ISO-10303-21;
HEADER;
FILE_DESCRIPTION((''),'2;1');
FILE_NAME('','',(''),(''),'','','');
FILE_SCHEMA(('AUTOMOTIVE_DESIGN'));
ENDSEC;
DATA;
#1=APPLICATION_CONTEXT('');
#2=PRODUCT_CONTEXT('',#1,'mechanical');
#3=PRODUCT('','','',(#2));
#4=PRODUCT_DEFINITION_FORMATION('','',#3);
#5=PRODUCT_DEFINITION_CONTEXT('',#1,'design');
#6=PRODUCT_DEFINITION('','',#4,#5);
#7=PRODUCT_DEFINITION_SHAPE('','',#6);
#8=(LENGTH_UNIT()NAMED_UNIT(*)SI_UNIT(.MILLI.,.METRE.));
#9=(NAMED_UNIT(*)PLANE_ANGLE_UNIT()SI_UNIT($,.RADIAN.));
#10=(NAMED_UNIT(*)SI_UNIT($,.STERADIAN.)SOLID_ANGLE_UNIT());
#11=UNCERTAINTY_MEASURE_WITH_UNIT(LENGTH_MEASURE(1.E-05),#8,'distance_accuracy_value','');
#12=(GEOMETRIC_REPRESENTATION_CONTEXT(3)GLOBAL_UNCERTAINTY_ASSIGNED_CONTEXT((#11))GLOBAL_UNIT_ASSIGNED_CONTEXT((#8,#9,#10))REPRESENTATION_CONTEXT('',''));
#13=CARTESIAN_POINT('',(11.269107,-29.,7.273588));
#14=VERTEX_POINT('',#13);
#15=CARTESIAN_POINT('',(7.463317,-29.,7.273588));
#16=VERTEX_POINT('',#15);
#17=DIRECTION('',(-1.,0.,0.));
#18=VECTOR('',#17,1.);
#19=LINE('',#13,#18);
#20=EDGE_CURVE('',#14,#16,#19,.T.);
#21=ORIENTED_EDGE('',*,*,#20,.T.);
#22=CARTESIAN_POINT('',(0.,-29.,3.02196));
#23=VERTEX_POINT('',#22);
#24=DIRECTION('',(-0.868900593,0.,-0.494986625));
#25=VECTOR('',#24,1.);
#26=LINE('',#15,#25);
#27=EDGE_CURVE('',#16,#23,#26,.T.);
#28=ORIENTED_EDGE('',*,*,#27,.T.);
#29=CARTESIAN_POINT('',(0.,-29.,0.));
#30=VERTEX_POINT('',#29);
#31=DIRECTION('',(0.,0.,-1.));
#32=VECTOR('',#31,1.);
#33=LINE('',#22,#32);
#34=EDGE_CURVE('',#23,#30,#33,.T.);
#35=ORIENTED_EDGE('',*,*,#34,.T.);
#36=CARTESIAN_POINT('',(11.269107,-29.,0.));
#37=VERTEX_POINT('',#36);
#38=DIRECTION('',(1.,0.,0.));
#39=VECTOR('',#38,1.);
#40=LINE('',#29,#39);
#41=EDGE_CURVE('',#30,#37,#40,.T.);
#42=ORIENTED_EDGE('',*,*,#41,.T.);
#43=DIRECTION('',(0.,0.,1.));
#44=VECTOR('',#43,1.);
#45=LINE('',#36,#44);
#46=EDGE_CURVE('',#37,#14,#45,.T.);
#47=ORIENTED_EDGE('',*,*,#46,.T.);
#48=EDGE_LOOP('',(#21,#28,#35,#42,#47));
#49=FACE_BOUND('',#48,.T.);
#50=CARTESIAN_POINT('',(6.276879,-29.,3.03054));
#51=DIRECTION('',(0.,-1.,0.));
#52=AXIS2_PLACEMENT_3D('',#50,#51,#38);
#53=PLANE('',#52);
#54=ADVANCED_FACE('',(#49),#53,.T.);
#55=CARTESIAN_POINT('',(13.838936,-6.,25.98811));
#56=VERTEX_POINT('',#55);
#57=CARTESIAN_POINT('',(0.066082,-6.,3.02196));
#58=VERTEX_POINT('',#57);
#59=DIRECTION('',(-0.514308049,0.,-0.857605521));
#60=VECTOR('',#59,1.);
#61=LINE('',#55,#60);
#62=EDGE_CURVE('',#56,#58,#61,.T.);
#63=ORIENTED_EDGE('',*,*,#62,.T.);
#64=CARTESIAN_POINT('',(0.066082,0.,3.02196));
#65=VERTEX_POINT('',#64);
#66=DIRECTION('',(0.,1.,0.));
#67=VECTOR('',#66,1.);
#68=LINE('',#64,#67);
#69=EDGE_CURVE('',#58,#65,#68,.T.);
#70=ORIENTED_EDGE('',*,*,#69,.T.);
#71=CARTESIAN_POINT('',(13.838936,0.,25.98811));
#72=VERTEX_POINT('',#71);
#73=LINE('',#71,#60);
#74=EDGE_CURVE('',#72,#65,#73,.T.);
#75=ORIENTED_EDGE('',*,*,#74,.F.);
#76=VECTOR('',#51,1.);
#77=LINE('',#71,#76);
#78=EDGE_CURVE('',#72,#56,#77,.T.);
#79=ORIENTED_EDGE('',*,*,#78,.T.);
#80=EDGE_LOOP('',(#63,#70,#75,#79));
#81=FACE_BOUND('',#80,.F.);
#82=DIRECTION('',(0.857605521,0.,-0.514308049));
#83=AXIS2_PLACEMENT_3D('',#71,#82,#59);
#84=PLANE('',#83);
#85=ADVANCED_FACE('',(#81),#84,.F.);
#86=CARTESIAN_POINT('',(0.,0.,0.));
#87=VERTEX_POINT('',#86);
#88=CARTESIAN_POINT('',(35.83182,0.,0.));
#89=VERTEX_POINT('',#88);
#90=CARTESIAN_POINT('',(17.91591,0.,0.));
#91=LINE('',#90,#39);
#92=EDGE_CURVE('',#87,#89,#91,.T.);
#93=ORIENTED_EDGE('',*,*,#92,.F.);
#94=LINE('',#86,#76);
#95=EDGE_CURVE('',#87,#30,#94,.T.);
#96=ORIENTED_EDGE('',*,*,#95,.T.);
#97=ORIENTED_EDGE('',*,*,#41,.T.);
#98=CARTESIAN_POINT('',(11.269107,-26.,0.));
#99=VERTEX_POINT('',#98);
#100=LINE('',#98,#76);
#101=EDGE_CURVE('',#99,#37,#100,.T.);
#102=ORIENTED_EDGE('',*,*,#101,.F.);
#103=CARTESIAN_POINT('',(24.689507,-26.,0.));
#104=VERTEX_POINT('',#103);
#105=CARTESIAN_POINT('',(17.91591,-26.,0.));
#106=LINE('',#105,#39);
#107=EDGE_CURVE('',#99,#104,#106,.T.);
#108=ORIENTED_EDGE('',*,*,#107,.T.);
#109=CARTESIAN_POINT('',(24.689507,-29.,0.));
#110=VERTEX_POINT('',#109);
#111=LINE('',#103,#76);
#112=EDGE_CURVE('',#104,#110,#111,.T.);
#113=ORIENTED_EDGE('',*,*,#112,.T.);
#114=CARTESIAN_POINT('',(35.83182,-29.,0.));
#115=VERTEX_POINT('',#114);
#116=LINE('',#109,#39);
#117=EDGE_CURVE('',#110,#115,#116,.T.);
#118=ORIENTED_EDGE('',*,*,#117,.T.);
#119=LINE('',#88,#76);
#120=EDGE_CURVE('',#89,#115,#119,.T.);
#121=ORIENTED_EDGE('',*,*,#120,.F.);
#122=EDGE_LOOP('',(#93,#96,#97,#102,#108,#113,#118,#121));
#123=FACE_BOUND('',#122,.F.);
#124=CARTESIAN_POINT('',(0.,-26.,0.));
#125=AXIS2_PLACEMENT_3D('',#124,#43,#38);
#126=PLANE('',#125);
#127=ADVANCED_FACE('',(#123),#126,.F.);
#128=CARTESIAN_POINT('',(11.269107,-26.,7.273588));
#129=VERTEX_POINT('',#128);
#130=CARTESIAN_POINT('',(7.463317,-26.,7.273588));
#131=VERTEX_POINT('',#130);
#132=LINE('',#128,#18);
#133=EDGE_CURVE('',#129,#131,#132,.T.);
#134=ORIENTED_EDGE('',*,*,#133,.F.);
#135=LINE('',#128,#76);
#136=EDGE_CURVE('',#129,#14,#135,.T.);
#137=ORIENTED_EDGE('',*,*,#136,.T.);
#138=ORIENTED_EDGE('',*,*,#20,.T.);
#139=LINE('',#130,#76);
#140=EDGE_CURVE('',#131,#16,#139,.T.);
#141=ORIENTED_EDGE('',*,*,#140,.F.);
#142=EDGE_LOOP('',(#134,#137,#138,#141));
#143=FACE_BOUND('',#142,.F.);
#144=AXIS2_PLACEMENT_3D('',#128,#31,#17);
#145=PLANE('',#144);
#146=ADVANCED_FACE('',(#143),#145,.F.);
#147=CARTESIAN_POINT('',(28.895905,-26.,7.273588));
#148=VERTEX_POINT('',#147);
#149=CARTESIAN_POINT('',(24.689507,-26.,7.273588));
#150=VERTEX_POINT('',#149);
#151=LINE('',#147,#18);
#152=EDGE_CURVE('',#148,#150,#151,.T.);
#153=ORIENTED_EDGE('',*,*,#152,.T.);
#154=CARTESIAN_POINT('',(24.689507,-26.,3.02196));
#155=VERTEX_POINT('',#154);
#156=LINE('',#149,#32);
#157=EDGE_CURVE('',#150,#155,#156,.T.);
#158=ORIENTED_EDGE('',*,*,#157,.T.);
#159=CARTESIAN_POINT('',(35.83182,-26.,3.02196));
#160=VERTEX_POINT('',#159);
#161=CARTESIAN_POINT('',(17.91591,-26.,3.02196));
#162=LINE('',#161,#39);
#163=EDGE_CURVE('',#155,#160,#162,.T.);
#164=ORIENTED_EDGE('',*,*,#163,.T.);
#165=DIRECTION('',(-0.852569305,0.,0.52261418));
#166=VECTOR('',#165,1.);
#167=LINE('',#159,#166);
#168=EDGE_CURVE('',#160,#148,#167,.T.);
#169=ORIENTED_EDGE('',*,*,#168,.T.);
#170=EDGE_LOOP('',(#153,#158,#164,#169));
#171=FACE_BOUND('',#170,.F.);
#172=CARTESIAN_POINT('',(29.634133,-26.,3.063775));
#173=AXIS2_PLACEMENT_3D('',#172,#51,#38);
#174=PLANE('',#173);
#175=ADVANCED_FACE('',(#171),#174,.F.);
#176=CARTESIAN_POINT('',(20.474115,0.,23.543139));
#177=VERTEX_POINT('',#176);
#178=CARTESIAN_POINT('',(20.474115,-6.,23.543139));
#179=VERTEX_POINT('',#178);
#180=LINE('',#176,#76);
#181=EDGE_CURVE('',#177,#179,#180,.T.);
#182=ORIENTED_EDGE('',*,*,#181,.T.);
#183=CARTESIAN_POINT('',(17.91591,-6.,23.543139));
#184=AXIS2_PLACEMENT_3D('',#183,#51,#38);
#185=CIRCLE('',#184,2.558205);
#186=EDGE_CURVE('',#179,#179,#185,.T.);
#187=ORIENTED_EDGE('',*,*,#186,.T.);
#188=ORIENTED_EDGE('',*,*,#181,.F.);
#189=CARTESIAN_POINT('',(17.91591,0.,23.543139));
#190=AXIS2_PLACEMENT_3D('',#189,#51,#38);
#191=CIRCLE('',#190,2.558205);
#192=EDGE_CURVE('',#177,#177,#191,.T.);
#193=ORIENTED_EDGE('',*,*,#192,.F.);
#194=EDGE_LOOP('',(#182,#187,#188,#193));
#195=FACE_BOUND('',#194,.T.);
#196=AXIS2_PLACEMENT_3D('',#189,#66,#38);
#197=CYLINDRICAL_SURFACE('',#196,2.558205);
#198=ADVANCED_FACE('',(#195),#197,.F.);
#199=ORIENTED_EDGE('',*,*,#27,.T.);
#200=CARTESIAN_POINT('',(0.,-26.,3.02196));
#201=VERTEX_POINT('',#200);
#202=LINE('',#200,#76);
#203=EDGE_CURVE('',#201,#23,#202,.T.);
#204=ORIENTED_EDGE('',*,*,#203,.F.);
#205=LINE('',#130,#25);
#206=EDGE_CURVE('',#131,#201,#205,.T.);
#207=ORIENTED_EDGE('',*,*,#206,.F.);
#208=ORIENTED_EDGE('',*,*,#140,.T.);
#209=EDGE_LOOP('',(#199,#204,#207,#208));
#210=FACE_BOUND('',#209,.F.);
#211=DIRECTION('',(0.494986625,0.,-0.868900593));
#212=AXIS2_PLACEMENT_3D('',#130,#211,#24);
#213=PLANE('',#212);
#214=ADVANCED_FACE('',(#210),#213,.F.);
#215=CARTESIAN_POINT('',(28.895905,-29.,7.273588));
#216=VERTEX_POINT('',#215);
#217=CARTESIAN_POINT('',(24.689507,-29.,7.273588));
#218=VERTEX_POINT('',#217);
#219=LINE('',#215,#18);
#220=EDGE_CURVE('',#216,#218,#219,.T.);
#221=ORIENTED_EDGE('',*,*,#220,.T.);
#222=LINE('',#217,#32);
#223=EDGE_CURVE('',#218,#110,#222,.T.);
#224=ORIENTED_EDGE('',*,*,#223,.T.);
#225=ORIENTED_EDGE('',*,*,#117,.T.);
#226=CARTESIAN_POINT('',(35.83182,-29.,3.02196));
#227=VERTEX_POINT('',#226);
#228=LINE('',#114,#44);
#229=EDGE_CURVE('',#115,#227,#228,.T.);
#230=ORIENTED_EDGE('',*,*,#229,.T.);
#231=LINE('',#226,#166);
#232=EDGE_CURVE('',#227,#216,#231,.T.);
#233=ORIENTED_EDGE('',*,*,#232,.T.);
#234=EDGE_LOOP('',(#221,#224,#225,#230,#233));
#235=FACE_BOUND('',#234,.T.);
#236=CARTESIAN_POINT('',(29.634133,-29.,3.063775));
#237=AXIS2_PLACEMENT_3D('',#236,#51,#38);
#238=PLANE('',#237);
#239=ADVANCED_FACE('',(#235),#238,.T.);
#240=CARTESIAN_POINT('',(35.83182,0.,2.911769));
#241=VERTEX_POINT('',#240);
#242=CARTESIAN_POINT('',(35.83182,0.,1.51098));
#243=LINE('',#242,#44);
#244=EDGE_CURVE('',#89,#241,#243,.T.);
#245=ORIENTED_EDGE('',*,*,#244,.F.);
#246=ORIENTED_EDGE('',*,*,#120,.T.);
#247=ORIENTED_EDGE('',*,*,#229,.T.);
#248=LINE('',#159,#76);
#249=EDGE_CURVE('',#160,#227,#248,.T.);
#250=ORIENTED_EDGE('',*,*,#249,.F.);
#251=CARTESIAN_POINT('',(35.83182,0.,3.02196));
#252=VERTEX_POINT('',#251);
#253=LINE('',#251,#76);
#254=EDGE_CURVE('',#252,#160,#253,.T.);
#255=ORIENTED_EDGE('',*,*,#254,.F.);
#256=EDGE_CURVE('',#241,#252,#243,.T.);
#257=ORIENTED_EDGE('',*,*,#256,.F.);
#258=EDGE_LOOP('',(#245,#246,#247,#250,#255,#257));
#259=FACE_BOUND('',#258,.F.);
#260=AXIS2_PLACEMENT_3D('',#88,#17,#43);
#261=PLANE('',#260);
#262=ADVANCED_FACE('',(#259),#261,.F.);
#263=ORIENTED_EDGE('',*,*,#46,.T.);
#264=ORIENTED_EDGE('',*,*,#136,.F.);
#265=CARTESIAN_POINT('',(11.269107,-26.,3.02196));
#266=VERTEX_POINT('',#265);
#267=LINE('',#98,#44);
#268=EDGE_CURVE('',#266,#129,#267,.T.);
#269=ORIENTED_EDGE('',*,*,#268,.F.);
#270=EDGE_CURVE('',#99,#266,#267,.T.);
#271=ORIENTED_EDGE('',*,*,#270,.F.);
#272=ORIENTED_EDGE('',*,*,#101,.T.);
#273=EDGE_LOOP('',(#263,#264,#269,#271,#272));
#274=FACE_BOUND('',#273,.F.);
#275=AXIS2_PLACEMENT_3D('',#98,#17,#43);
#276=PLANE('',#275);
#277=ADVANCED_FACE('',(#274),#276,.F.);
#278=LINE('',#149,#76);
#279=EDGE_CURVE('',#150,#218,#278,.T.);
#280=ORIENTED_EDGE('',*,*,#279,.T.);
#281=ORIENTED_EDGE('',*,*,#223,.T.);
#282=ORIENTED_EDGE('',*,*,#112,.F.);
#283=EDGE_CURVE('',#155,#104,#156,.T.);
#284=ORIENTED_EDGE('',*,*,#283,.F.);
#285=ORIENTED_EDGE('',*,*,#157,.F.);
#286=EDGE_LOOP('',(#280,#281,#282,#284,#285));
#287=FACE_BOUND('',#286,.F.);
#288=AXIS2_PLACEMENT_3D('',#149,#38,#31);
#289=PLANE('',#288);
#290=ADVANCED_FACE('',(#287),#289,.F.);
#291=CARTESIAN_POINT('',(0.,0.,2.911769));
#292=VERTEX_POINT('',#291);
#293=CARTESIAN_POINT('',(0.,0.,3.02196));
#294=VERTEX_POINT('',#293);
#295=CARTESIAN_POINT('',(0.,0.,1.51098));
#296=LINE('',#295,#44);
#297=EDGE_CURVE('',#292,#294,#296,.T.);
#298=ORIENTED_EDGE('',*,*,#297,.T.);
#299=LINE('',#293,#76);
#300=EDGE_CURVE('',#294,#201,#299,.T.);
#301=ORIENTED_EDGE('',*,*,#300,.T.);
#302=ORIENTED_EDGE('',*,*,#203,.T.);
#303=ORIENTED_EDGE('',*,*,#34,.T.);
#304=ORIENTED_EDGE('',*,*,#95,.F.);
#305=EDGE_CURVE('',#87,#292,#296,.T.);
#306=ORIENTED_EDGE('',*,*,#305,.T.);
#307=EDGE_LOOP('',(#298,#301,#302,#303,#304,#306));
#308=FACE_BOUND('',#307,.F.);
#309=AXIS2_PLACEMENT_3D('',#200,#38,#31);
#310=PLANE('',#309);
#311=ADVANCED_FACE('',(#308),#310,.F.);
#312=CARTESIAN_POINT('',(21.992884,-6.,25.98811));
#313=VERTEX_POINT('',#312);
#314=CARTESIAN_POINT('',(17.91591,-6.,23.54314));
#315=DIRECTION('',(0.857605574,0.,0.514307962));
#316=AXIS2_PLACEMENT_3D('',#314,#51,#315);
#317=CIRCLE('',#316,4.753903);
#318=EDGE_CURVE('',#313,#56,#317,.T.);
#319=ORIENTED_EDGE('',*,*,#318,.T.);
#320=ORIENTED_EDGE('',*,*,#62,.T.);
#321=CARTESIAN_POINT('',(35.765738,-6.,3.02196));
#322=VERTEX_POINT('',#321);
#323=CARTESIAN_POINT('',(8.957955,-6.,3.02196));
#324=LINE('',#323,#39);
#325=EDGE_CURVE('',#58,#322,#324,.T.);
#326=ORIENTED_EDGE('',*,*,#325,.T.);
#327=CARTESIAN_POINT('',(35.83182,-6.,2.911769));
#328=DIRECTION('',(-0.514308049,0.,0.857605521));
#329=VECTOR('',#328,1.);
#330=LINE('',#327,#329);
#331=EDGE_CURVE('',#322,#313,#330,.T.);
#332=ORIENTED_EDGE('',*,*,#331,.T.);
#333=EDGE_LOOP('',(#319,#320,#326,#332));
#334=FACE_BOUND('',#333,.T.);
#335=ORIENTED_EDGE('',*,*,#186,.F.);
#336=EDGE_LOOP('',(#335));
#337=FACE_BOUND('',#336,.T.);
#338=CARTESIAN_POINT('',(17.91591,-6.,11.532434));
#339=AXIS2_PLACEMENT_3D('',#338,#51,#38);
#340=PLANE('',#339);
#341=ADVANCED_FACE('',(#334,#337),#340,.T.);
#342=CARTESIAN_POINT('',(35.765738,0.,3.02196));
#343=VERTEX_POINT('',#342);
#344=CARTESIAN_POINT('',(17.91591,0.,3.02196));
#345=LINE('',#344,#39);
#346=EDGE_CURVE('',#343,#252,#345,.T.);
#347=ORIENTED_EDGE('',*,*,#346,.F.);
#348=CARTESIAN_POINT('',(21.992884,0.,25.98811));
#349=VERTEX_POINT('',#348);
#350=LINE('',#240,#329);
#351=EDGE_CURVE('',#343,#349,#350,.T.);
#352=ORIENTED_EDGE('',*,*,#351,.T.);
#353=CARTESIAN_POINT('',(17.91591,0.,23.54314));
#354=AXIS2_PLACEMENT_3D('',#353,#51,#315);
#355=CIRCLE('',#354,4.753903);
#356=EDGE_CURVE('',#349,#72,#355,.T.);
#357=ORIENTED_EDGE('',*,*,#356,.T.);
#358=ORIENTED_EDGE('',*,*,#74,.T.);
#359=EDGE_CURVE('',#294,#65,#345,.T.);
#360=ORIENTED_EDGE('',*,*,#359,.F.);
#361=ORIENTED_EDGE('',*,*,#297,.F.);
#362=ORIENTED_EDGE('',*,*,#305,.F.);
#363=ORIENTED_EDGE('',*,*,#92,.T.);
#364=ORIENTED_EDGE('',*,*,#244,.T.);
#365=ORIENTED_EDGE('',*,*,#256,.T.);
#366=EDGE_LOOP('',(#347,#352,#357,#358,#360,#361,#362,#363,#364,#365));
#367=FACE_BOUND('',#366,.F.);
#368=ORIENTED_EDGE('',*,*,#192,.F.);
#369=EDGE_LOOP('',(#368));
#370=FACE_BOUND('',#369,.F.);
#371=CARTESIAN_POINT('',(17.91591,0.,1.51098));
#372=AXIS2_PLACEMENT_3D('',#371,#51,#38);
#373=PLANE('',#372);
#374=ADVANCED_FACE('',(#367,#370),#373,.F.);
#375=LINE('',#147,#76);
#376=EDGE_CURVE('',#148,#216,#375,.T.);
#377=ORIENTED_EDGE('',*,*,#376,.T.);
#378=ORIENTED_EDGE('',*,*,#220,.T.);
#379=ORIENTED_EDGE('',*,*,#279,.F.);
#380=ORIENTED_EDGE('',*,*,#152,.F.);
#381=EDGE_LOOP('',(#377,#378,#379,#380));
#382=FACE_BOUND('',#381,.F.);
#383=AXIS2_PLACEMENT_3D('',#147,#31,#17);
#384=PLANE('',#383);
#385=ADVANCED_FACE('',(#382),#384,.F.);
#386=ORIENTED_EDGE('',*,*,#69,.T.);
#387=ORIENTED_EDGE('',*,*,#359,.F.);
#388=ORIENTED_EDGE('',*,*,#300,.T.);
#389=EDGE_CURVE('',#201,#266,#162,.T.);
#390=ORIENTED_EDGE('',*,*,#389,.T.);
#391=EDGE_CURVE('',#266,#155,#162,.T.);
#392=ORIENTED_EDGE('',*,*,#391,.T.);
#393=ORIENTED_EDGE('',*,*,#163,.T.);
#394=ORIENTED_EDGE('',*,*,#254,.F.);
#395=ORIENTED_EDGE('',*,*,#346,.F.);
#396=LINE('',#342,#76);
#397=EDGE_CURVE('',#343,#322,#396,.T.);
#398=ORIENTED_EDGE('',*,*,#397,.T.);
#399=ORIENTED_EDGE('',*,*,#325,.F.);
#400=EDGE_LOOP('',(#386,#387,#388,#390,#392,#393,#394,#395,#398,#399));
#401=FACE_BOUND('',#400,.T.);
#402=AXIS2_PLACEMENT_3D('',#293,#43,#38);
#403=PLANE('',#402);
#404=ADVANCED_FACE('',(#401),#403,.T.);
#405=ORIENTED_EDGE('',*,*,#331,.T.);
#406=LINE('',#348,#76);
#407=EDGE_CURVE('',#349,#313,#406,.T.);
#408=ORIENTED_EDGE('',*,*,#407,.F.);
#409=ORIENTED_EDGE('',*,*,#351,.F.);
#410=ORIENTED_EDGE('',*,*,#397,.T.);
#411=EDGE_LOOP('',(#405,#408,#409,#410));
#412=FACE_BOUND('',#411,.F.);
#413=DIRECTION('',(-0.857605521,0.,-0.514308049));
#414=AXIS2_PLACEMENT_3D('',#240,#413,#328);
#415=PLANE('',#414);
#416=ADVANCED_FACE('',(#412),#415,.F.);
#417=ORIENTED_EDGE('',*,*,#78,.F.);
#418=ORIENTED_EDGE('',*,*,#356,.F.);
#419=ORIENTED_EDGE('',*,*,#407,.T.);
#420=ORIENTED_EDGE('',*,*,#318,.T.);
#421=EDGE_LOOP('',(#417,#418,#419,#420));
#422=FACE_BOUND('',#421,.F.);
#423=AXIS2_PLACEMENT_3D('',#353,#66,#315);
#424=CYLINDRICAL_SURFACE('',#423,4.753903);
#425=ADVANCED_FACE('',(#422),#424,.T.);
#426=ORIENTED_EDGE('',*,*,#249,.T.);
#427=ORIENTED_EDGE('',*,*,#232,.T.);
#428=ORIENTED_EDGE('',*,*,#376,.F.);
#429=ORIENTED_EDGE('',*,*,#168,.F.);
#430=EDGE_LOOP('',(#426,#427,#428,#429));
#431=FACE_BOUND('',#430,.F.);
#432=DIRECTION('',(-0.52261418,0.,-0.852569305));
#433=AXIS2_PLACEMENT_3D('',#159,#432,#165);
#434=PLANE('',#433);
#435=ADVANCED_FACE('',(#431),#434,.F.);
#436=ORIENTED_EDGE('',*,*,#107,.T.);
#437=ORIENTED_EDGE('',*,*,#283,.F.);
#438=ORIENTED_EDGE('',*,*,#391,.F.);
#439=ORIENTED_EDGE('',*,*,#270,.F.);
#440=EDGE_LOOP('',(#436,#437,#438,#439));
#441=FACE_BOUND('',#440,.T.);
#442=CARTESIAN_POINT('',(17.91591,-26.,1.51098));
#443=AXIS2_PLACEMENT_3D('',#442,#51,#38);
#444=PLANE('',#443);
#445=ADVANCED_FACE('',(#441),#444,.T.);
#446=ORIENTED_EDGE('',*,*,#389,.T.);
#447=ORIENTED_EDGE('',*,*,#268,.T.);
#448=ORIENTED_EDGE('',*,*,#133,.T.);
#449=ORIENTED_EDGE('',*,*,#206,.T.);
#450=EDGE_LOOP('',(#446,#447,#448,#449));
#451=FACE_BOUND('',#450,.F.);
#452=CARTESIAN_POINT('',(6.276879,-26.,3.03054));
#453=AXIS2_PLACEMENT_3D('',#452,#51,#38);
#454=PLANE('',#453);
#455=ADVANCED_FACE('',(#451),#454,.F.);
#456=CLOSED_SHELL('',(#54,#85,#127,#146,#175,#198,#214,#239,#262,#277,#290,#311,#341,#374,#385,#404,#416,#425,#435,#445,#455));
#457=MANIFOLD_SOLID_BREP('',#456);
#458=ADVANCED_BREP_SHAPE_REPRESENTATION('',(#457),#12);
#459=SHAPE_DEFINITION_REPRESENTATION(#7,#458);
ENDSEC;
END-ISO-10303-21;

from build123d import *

# Parameters (mm, degrees)
F0_W     = 35.83182
F0_H     = 3.02196
F1_DEPTH = 26
F2_R     = 2.558205
F3_DEPTH = 6
F5_DEPTH = 3


with BuildPart() as f1:
    # F0 (on Front) → F1 (new body)
    with BuildSketch(Plane.XZ):
        with Locations((17.91591, 1.51098)):
            Rectangle(F0_W, F0_H)
    extrude(amount=F1_DEPTH)

    # F2 (on Front) → F3 (join)
    with BuildSketch(Plane.XZ):
        with BuildLine():
            Line((0, 2.911769), (35.83182, 2.911769))
            Line((35.83182, 2.911769), (21.992884, 25.98811))
            ThreePointArc((21.992884, 25.98811), (17.91591, 28.297043), (13.838936, 25.98811))
            Line((13.838936, 25.98811), (0, 2.911769))
        make_face()
        with Locations((17.91591, 23.543139)):
            Circle(F2_R, mode=Mode.SUBTRACT)
    extrude(amount=F3_DEPTH)

    # F4 (on face) → F5 (join)
    with BuildSketch(Plane.XZ.offset(26)):
        Polygon((0, 3.02196), (0, 0), (11.269107, 0), (11.269107, 7.273588), (7.463317, 7.273588), align=None)
        Polygon((24.689507, 0), (35.83182, 0), (35.83182, 3.02196), (28.895905, 7.273588), (24.689507, 7.273588), align=None)
    extrude(amount=F5_DEPTH)


solid = f1.part
